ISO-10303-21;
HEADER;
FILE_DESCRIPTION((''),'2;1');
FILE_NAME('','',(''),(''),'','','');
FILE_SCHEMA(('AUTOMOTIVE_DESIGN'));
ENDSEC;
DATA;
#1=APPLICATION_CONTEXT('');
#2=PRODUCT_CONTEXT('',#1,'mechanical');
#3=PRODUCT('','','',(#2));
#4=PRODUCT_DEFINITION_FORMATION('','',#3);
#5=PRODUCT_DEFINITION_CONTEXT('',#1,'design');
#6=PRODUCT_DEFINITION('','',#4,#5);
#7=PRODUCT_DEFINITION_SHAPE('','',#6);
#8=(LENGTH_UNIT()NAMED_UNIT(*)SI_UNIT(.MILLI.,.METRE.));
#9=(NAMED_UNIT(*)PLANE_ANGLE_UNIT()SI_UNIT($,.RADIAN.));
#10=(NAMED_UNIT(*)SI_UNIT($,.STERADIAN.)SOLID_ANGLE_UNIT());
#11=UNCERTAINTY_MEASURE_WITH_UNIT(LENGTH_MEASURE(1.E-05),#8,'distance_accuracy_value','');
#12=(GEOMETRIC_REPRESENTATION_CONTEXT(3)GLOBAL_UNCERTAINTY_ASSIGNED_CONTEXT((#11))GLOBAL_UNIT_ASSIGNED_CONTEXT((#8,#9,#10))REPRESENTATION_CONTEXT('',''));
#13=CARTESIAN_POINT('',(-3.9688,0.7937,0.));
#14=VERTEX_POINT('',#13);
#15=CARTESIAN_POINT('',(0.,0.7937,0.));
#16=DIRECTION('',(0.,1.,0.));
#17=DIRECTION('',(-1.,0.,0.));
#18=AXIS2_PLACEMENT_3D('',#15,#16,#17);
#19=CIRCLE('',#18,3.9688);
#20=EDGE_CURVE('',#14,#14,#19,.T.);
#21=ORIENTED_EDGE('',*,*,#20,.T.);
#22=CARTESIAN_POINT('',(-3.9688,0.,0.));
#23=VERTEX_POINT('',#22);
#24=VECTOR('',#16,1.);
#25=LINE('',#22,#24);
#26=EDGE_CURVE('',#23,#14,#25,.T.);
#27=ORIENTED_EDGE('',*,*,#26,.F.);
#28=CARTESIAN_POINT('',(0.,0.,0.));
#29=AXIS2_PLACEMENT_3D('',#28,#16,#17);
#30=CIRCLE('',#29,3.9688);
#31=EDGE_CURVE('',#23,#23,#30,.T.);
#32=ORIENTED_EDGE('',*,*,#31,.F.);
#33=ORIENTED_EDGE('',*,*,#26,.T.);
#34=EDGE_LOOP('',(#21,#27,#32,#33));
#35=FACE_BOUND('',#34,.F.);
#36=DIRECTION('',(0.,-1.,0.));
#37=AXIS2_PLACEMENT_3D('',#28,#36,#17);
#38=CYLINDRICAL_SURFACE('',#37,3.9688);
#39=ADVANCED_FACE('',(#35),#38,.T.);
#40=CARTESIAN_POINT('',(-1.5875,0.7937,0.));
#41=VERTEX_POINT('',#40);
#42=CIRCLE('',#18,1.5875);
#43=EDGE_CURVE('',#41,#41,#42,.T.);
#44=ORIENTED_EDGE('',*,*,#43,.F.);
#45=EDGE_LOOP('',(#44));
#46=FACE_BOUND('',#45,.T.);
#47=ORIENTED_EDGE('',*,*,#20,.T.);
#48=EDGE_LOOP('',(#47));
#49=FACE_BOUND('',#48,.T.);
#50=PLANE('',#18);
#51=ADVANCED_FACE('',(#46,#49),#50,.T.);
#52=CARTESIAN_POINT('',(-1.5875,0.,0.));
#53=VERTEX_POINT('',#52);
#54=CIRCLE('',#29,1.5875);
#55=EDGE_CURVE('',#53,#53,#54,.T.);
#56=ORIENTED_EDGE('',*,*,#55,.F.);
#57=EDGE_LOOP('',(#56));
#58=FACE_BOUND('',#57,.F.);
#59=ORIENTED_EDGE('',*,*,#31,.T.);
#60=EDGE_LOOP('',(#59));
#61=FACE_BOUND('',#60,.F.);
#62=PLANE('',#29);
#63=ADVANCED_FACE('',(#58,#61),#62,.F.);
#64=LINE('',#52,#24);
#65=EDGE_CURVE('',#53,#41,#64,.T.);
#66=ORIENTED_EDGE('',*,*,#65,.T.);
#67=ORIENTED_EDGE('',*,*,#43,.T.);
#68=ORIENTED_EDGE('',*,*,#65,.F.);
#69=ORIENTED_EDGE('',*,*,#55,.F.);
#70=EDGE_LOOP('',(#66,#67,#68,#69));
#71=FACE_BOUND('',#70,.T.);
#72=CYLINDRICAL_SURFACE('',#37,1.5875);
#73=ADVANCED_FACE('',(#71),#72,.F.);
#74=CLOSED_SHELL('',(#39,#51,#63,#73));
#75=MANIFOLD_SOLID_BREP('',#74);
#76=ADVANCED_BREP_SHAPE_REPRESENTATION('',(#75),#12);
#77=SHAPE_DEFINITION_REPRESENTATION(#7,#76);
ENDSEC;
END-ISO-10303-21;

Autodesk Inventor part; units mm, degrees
ref_plane "YZ Plane" through (0, 0, 0) normal (1, 0, 0) x (0, 1, 0)
ref_plane "XZ Plane" through (0, 0, 0) normal (0, 1, 0) x (-1, 0, 0)
ref_plane "XY Plane" through (0, 0, 0) normal (0, 0, 1) x (1, 0, 0)
sketch "Sketch1" plane through (0, 0, 0) normal (0, 1, 0) x (-1, 0, 0)
  circle A0 centre (0, 0) radius 1.5875
  circle A1 centre (0, 0) radius 3.9688
  dimension "d0" = 3.175
  dimension "d1" = 7.9375
extrude "Extrusion1" add sketch "Sketch1" along normal blind 0.7937
properties part number "Standard #4 Washer" material "Steel"
